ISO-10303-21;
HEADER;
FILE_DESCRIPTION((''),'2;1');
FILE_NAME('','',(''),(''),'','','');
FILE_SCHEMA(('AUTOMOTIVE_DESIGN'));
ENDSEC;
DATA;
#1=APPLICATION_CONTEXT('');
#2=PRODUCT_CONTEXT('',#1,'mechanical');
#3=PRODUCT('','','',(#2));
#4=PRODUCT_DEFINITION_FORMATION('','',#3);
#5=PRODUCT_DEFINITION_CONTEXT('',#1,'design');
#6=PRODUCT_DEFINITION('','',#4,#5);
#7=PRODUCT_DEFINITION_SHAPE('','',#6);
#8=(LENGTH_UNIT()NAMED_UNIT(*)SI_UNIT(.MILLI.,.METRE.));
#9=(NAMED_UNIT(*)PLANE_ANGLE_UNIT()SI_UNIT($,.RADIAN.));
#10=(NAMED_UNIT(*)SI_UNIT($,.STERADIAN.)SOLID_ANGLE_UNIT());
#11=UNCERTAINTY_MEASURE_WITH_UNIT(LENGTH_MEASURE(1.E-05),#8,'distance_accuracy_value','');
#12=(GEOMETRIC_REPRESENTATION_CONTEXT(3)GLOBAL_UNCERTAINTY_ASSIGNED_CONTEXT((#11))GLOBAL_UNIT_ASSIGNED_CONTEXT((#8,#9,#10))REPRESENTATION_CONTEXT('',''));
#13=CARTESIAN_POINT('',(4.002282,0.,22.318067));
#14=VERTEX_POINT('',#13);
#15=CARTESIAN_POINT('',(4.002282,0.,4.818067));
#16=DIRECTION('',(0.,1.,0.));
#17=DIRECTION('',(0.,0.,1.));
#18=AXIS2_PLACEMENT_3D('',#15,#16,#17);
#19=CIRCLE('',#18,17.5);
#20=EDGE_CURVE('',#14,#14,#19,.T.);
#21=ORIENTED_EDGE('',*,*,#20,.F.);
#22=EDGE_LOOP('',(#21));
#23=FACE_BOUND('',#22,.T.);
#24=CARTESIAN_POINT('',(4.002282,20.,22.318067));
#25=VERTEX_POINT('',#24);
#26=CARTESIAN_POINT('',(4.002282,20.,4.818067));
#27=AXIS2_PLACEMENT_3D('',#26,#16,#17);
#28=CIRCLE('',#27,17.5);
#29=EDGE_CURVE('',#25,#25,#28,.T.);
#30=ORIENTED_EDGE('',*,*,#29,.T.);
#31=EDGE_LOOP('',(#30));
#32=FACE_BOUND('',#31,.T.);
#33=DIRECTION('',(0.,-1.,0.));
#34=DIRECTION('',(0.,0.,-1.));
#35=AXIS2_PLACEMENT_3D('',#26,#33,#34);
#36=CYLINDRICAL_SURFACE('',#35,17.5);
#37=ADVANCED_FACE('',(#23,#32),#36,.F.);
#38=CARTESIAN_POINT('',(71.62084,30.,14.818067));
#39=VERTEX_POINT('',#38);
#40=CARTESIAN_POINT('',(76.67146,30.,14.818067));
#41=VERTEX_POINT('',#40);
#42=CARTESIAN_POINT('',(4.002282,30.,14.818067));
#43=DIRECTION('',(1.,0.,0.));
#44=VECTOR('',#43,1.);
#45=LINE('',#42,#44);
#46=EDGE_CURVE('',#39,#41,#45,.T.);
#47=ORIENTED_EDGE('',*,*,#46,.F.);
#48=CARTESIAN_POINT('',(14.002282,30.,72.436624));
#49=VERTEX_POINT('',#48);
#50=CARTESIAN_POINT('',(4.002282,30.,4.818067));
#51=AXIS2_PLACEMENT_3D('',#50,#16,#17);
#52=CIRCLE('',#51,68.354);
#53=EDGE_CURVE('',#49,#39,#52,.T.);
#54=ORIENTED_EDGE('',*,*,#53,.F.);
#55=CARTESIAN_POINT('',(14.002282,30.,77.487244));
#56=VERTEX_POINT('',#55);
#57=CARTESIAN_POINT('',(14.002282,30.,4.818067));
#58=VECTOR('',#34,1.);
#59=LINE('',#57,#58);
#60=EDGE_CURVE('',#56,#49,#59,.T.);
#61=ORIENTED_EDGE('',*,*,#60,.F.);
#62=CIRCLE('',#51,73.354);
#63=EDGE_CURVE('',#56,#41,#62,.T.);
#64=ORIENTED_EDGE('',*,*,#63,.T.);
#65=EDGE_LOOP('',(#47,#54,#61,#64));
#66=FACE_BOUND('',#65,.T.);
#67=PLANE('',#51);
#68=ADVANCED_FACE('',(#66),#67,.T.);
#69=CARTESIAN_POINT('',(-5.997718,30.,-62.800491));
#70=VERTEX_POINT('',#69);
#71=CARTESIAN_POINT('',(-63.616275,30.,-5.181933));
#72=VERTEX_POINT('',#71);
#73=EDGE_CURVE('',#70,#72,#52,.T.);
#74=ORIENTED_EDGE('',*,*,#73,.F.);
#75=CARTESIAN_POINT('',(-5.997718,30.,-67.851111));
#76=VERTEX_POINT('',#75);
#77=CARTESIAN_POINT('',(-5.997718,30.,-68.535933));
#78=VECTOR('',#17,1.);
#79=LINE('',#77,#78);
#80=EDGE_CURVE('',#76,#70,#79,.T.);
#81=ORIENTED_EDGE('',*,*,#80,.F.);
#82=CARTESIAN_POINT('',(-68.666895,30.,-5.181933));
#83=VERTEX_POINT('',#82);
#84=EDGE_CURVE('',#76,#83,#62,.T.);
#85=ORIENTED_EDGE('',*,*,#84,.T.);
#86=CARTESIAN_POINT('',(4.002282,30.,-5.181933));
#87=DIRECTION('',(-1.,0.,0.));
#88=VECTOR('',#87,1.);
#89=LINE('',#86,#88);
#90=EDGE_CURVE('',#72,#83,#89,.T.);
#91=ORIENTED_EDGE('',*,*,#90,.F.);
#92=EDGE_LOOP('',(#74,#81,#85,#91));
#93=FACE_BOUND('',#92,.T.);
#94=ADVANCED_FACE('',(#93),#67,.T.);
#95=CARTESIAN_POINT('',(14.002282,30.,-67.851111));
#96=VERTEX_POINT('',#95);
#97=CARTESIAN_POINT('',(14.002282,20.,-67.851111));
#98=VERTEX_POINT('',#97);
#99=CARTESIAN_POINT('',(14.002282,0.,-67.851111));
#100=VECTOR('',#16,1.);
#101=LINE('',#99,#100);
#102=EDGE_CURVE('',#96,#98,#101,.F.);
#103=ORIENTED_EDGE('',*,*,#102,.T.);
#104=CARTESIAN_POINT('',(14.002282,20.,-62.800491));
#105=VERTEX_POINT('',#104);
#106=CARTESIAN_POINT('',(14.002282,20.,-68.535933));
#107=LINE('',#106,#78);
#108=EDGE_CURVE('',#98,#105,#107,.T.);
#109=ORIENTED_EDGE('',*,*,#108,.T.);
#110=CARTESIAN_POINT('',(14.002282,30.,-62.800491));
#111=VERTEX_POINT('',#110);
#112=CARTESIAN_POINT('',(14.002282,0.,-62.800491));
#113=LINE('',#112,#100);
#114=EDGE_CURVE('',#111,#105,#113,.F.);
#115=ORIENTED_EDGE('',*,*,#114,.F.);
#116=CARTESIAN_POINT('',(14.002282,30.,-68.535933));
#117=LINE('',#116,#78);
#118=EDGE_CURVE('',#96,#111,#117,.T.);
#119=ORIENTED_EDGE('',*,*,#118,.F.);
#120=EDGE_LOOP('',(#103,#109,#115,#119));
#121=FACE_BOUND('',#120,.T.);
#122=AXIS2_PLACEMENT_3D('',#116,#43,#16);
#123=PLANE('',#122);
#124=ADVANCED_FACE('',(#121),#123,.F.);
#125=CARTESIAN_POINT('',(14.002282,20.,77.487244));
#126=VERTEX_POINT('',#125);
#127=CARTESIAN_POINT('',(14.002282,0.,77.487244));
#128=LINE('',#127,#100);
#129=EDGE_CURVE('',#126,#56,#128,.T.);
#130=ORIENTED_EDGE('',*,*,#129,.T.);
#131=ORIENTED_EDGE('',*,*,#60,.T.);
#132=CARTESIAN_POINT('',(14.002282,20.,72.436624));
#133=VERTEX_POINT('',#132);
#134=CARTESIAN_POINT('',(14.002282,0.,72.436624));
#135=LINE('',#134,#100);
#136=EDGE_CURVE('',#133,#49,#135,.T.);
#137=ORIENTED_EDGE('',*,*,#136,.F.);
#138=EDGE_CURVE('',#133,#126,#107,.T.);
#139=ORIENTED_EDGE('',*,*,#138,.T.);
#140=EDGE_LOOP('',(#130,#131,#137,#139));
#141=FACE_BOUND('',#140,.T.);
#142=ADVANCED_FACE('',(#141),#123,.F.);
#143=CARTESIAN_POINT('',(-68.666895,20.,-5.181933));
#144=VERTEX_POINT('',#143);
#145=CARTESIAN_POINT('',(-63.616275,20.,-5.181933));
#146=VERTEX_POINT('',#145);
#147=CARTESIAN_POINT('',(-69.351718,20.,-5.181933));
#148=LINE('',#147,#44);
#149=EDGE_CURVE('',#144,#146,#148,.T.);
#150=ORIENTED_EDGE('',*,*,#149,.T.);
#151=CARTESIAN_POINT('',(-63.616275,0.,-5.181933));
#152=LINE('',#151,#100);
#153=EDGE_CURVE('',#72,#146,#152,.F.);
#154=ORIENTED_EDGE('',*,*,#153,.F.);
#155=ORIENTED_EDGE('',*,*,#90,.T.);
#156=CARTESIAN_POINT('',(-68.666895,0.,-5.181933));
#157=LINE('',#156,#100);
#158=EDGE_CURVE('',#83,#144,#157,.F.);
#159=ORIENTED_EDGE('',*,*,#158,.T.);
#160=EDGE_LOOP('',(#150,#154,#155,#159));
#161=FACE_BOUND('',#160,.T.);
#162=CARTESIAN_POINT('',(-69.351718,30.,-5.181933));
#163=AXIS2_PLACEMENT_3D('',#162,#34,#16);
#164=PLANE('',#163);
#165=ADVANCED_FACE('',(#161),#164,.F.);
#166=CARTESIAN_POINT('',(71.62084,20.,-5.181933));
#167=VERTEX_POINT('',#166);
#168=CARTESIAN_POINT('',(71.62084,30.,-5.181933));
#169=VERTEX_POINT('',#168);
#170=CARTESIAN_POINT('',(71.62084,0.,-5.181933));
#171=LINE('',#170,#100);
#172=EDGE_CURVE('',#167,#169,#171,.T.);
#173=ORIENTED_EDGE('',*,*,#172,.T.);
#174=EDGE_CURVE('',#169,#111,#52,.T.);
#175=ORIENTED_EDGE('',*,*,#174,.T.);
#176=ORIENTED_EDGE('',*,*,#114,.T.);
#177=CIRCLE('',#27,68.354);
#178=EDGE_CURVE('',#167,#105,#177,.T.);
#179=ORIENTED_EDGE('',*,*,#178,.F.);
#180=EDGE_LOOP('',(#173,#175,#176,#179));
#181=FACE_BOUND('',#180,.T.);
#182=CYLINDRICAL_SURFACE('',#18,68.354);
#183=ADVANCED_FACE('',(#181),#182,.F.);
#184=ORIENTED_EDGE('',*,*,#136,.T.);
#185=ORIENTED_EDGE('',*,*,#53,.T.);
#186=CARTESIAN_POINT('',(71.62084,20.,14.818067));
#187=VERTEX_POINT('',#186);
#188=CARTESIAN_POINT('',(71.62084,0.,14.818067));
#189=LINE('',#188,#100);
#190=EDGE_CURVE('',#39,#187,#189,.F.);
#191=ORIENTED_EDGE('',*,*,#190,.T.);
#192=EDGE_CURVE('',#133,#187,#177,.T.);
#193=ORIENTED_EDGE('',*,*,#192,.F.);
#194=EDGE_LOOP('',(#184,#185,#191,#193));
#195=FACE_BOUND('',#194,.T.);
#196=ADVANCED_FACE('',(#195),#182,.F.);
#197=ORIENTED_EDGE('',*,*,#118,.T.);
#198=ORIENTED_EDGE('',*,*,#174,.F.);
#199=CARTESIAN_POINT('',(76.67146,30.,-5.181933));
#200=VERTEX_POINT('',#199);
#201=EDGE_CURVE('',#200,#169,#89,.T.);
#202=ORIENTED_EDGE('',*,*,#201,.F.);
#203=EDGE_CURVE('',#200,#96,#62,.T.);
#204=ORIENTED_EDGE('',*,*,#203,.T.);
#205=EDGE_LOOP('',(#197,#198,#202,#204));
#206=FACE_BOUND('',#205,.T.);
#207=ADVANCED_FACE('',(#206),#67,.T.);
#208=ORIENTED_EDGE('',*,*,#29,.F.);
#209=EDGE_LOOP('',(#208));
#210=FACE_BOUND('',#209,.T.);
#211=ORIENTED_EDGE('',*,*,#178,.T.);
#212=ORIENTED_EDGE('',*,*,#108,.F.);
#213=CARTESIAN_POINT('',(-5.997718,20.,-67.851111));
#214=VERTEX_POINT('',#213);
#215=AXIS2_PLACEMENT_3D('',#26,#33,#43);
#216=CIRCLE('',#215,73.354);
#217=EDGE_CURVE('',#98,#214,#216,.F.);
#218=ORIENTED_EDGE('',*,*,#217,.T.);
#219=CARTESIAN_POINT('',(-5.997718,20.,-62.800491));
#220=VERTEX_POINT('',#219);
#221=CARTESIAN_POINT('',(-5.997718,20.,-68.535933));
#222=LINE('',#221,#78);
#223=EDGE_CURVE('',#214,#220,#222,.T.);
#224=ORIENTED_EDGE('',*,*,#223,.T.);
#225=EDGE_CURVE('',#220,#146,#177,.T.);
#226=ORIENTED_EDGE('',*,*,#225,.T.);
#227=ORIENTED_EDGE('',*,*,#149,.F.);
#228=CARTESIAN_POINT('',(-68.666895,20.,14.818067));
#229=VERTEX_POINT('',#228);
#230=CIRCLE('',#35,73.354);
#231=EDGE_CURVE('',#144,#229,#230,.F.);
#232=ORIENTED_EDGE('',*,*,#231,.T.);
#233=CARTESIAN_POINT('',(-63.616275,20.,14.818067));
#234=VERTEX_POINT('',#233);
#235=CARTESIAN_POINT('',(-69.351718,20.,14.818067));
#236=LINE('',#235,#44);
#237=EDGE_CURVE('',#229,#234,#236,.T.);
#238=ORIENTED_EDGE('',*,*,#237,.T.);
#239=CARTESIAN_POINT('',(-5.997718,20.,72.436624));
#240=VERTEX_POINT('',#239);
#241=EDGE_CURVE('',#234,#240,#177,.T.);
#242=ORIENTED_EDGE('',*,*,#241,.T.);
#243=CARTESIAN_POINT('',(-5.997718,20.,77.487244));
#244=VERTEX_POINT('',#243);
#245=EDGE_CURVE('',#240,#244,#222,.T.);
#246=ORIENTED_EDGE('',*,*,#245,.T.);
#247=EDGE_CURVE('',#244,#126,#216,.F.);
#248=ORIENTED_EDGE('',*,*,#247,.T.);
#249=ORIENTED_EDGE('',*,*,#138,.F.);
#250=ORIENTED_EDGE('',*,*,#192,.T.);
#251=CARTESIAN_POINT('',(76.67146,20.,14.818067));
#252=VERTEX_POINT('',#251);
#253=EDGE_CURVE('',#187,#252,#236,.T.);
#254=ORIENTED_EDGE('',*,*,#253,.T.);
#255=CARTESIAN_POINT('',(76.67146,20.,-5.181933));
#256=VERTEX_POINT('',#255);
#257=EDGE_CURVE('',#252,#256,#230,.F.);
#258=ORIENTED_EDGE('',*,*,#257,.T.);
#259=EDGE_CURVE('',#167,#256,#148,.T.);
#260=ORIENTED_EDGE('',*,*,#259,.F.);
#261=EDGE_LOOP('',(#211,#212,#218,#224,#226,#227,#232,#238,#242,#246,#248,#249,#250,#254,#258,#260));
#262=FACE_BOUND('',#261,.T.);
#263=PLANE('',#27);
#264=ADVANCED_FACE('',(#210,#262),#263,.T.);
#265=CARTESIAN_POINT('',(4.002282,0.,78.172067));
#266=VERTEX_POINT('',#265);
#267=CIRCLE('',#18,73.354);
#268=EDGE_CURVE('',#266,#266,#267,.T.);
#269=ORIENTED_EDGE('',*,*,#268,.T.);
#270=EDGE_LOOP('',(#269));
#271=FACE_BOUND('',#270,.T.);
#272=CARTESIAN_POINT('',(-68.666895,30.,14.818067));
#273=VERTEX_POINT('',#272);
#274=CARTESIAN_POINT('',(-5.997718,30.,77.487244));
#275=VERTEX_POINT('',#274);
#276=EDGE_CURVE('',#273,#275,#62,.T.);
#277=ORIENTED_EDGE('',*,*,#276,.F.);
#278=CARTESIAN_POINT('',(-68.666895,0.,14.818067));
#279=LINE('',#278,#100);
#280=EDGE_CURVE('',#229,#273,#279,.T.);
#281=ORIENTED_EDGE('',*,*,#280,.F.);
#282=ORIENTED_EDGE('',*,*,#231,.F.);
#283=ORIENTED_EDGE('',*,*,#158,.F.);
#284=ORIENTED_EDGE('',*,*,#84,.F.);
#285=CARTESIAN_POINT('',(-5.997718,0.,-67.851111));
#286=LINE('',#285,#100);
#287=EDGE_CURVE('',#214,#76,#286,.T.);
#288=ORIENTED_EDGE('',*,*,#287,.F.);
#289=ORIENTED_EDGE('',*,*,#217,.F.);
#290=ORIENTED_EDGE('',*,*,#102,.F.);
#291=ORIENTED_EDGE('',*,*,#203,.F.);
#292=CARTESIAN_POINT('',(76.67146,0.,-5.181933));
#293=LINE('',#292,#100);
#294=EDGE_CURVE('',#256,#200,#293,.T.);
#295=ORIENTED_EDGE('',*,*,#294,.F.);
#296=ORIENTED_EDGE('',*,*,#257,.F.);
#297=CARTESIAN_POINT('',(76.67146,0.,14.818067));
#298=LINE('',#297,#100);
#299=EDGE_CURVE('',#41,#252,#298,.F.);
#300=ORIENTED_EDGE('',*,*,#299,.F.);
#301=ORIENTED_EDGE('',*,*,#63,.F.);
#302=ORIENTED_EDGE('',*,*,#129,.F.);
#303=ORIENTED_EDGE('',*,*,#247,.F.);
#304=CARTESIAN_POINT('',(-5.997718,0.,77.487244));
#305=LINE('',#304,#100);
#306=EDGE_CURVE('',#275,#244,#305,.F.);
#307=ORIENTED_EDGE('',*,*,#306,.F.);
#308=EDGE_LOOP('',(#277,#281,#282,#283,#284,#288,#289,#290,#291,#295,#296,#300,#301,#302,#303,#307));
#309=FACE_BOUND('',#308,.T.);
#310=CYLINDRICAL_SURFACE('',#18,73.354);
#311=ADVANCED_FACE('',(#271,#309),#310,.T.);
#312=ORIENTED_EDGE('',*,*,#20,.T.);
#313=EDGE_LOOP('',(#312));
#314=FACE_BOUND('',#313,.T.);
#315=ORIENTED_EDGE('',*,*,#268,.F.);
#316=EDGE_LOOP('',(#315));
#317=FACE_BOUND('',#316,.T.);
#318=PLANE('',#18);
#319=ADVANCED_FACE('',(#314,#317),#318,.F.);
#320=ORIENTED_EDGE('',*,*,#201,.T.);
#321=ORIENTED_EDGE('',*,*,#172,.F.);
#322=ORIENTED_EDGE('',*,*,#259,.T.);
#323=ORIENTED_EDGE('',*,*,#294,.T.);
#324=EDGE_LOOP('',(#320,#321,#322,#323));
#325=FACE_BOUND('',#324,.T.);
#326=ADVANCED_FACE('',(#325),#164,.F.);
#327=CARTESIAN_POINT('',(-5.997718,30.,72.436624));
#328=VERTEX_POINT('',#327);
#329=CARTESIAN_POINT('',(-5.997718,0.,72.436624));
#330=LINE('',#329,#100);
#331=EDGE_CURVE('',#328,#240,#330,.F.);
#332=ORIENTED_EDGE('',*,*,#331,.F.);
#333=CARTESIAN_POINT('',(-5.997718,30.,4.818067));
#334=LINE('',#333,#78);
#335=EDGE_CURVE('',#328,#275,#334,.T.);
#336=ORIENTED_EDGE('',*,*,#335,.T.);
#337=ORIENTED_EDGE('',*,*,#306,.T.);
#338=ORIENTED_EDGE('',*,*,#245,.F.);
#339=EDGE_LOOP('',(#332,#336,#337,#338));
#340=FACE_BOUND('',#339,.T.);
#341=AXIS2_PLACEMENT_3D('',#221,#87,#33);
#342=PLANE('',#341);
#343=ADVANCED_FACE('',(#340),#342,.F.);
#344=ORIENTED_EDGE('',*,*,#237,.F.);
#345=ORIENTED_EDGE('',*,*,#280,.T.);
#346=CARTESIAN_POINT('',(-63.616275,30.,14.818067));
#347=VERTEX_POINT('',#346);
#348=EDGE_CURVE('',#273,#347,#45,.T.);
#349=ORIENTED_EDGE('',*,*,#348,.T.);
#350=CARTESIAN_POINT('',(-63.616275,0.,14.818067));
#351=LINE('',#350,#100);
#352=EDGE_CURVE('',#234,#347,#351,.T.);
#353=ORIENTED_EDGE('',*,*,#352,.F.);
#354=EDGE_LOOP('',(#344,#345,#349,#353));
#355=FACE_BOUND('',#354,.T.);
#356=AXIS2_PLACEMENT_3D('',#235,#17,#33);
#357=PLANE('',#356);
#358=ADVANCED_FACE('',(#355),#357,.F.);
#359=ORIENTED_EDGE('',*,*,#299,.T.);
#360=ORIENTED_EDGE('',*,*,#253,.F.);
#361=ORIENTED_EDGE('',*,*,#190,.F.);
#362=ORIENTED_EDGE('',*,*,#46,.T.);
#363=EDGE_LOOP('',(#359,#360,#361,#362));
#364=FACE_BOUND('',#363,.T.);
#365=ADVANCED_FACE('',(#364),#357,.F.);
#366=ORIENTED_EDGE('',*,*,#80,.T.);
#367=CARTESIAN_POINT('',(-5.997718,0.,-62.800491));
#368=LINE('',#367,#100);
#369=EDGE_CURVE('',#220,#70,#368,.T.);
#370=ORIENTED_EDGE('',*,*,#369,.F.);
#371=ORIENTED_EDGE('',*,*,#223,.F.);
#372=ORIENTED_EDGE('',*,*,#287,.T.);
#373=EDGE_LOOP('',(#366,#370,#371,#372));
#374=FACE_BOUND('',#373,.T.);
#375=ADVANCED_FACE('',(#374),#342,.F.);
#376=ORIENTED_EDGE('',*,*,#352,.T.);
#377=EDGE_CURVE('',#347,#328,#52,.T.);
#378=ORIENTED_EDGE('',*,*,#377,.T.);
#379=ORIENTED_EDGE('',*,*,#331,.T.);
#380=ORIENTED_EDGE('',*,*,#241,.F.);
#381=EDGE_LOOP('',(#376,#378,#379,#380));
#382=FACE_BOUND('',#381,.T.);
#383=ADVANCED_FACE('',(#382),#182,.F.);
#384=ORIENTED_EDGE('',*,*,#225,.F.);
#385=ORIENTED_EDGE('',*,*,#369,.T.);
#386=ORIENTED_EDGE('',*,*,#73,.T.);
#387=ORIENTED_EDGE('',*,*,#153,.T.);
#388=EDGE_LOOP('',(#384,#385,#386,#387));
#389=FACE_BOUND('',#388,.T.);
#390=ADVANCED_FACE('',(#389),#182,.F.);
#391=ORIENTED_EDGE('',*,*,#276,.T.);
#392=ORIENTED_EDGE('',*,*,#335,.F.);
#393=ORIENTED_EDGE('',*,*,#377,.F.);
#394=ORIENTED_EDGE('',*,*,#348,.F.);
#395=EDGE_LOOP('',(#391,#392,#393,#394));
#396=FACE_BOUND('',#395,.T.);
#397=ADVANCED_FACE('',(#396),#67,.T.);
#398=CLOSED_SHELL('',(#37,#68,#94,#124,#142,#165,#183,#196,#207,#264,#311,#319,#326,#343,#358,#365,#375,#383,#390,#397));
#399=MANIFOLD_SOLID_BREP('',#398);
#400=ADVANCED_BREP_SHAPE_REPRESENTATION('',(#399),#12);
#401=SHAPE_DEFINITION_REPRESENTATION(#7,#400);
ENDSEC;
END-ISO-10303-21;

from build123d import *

# Parameters (mm, degrees)
SKETCH1_R                = 68.354
SKETCH1_R_2              = 17.5
BOSS_EXTRUDE2_DEPTH      = 20
BOSS_EXTRUDE3_DEPTH      = 10
BOSS_EXTRUDE3_DEPTH_BACK = 20
SKETCH2_R                = 73.354
SKETCH2_R_2              = 68.354
CUT_EXTRUDE1_DEPTH       = 114.995028009
CUT_EXTRUDE1_DEPTH_BACK  = 114.995028009
CUT_EXTRUDE2_DEPTH       = 114.995028009
CUT_EXTRUDE2_DEPTH_BACK  = 114.995028009


with BuildPart() as part:
    # Sketch1 → Boss-Extrude2 (new body)
    with BuildSketch(Plane(origin=(0, 0, 0), x_dir=(1, 0, 0), z_dir=(0, 1, 0))):
        with Locations(Location((4.002282363, -4.818066557, 0), (0, 0, 270))):
            Circle(SKETCH1_R)
        with Locations(Location((4.002282363, -4.818066557, 0), (0, 0, 270))):
            Circle(SKETCH1_R_2, mode=Mode.SUBTRACT)
    extrude(amount=BOSS_EXTRUDE2_DEPTH)

    # Sketch2 → Boss-Extrude3 (add, two sides: drawn at the far end of the back side and taken through both)
    with BuildSketch(Plane(origin=(0, 20, 0), x_dir=(1, 0, 0), z_dir=(0, 1, 0)).offset(-BOSS_EXTRUDE3_DEPTH_BACK)):
        with Locations(Location((4.002282363, -4.818066557, 0), (0, 0, 270))):
            Circle(SKETCH2_R)
        with Locations(Location((4.002282363, -4.818066557, 0), (0, 0, 270))):
            Circle(SKETCH2_R_2, mode=Mode.SUBTRACT)
    extrude(amount=BOSS_EXTRUDE3_DEPTH + BOSS_EXTRUDE3_DEPTH_BACK)

    # Sketch3 → Cut-Extrude1 (cut, two sides: drawn at the far end of the back side and taken through both)
    with BuildSketch(Plane(origin=(0, 0, 0), x_dir=(0, 0, -1), z_dir=(1, 0, 0)).offset(-CUT_EXTRUDE1_DEPTH_BACK)):
        Polygon((-4.818066557, 30), (5.181933443, 30), (5.181933443, 20), (-14.818066557, 20), (-14.818066557, 30), align=None)
    extrude(amount=CUT_EXTRUDE1_DEPTH + CUT_EXTRUDE1_DEPTH_BACK, mode=Mode.SUBTRACT)

    # Sketch5 → Cut-Extrude2 (cut, two sides: drawn at the far end of the back side and taken through both)
    with BuildSketch(Plane.XY.offset(-CUT_EXTRUDE2_DEPTH_BACK)):
        Polygon((4.002282363, 30), (14.002282363, 30), (14.002282363, 20), (-5.997717637, 20), (-5.997717637, 30), align=None)
    extrude(amount=CUT_EXTRUDE2_DEPTH + CUT_EXTRUDE2_DEPTH_BACK, mode=Mode.SUBTRACT)


solid = part.part
